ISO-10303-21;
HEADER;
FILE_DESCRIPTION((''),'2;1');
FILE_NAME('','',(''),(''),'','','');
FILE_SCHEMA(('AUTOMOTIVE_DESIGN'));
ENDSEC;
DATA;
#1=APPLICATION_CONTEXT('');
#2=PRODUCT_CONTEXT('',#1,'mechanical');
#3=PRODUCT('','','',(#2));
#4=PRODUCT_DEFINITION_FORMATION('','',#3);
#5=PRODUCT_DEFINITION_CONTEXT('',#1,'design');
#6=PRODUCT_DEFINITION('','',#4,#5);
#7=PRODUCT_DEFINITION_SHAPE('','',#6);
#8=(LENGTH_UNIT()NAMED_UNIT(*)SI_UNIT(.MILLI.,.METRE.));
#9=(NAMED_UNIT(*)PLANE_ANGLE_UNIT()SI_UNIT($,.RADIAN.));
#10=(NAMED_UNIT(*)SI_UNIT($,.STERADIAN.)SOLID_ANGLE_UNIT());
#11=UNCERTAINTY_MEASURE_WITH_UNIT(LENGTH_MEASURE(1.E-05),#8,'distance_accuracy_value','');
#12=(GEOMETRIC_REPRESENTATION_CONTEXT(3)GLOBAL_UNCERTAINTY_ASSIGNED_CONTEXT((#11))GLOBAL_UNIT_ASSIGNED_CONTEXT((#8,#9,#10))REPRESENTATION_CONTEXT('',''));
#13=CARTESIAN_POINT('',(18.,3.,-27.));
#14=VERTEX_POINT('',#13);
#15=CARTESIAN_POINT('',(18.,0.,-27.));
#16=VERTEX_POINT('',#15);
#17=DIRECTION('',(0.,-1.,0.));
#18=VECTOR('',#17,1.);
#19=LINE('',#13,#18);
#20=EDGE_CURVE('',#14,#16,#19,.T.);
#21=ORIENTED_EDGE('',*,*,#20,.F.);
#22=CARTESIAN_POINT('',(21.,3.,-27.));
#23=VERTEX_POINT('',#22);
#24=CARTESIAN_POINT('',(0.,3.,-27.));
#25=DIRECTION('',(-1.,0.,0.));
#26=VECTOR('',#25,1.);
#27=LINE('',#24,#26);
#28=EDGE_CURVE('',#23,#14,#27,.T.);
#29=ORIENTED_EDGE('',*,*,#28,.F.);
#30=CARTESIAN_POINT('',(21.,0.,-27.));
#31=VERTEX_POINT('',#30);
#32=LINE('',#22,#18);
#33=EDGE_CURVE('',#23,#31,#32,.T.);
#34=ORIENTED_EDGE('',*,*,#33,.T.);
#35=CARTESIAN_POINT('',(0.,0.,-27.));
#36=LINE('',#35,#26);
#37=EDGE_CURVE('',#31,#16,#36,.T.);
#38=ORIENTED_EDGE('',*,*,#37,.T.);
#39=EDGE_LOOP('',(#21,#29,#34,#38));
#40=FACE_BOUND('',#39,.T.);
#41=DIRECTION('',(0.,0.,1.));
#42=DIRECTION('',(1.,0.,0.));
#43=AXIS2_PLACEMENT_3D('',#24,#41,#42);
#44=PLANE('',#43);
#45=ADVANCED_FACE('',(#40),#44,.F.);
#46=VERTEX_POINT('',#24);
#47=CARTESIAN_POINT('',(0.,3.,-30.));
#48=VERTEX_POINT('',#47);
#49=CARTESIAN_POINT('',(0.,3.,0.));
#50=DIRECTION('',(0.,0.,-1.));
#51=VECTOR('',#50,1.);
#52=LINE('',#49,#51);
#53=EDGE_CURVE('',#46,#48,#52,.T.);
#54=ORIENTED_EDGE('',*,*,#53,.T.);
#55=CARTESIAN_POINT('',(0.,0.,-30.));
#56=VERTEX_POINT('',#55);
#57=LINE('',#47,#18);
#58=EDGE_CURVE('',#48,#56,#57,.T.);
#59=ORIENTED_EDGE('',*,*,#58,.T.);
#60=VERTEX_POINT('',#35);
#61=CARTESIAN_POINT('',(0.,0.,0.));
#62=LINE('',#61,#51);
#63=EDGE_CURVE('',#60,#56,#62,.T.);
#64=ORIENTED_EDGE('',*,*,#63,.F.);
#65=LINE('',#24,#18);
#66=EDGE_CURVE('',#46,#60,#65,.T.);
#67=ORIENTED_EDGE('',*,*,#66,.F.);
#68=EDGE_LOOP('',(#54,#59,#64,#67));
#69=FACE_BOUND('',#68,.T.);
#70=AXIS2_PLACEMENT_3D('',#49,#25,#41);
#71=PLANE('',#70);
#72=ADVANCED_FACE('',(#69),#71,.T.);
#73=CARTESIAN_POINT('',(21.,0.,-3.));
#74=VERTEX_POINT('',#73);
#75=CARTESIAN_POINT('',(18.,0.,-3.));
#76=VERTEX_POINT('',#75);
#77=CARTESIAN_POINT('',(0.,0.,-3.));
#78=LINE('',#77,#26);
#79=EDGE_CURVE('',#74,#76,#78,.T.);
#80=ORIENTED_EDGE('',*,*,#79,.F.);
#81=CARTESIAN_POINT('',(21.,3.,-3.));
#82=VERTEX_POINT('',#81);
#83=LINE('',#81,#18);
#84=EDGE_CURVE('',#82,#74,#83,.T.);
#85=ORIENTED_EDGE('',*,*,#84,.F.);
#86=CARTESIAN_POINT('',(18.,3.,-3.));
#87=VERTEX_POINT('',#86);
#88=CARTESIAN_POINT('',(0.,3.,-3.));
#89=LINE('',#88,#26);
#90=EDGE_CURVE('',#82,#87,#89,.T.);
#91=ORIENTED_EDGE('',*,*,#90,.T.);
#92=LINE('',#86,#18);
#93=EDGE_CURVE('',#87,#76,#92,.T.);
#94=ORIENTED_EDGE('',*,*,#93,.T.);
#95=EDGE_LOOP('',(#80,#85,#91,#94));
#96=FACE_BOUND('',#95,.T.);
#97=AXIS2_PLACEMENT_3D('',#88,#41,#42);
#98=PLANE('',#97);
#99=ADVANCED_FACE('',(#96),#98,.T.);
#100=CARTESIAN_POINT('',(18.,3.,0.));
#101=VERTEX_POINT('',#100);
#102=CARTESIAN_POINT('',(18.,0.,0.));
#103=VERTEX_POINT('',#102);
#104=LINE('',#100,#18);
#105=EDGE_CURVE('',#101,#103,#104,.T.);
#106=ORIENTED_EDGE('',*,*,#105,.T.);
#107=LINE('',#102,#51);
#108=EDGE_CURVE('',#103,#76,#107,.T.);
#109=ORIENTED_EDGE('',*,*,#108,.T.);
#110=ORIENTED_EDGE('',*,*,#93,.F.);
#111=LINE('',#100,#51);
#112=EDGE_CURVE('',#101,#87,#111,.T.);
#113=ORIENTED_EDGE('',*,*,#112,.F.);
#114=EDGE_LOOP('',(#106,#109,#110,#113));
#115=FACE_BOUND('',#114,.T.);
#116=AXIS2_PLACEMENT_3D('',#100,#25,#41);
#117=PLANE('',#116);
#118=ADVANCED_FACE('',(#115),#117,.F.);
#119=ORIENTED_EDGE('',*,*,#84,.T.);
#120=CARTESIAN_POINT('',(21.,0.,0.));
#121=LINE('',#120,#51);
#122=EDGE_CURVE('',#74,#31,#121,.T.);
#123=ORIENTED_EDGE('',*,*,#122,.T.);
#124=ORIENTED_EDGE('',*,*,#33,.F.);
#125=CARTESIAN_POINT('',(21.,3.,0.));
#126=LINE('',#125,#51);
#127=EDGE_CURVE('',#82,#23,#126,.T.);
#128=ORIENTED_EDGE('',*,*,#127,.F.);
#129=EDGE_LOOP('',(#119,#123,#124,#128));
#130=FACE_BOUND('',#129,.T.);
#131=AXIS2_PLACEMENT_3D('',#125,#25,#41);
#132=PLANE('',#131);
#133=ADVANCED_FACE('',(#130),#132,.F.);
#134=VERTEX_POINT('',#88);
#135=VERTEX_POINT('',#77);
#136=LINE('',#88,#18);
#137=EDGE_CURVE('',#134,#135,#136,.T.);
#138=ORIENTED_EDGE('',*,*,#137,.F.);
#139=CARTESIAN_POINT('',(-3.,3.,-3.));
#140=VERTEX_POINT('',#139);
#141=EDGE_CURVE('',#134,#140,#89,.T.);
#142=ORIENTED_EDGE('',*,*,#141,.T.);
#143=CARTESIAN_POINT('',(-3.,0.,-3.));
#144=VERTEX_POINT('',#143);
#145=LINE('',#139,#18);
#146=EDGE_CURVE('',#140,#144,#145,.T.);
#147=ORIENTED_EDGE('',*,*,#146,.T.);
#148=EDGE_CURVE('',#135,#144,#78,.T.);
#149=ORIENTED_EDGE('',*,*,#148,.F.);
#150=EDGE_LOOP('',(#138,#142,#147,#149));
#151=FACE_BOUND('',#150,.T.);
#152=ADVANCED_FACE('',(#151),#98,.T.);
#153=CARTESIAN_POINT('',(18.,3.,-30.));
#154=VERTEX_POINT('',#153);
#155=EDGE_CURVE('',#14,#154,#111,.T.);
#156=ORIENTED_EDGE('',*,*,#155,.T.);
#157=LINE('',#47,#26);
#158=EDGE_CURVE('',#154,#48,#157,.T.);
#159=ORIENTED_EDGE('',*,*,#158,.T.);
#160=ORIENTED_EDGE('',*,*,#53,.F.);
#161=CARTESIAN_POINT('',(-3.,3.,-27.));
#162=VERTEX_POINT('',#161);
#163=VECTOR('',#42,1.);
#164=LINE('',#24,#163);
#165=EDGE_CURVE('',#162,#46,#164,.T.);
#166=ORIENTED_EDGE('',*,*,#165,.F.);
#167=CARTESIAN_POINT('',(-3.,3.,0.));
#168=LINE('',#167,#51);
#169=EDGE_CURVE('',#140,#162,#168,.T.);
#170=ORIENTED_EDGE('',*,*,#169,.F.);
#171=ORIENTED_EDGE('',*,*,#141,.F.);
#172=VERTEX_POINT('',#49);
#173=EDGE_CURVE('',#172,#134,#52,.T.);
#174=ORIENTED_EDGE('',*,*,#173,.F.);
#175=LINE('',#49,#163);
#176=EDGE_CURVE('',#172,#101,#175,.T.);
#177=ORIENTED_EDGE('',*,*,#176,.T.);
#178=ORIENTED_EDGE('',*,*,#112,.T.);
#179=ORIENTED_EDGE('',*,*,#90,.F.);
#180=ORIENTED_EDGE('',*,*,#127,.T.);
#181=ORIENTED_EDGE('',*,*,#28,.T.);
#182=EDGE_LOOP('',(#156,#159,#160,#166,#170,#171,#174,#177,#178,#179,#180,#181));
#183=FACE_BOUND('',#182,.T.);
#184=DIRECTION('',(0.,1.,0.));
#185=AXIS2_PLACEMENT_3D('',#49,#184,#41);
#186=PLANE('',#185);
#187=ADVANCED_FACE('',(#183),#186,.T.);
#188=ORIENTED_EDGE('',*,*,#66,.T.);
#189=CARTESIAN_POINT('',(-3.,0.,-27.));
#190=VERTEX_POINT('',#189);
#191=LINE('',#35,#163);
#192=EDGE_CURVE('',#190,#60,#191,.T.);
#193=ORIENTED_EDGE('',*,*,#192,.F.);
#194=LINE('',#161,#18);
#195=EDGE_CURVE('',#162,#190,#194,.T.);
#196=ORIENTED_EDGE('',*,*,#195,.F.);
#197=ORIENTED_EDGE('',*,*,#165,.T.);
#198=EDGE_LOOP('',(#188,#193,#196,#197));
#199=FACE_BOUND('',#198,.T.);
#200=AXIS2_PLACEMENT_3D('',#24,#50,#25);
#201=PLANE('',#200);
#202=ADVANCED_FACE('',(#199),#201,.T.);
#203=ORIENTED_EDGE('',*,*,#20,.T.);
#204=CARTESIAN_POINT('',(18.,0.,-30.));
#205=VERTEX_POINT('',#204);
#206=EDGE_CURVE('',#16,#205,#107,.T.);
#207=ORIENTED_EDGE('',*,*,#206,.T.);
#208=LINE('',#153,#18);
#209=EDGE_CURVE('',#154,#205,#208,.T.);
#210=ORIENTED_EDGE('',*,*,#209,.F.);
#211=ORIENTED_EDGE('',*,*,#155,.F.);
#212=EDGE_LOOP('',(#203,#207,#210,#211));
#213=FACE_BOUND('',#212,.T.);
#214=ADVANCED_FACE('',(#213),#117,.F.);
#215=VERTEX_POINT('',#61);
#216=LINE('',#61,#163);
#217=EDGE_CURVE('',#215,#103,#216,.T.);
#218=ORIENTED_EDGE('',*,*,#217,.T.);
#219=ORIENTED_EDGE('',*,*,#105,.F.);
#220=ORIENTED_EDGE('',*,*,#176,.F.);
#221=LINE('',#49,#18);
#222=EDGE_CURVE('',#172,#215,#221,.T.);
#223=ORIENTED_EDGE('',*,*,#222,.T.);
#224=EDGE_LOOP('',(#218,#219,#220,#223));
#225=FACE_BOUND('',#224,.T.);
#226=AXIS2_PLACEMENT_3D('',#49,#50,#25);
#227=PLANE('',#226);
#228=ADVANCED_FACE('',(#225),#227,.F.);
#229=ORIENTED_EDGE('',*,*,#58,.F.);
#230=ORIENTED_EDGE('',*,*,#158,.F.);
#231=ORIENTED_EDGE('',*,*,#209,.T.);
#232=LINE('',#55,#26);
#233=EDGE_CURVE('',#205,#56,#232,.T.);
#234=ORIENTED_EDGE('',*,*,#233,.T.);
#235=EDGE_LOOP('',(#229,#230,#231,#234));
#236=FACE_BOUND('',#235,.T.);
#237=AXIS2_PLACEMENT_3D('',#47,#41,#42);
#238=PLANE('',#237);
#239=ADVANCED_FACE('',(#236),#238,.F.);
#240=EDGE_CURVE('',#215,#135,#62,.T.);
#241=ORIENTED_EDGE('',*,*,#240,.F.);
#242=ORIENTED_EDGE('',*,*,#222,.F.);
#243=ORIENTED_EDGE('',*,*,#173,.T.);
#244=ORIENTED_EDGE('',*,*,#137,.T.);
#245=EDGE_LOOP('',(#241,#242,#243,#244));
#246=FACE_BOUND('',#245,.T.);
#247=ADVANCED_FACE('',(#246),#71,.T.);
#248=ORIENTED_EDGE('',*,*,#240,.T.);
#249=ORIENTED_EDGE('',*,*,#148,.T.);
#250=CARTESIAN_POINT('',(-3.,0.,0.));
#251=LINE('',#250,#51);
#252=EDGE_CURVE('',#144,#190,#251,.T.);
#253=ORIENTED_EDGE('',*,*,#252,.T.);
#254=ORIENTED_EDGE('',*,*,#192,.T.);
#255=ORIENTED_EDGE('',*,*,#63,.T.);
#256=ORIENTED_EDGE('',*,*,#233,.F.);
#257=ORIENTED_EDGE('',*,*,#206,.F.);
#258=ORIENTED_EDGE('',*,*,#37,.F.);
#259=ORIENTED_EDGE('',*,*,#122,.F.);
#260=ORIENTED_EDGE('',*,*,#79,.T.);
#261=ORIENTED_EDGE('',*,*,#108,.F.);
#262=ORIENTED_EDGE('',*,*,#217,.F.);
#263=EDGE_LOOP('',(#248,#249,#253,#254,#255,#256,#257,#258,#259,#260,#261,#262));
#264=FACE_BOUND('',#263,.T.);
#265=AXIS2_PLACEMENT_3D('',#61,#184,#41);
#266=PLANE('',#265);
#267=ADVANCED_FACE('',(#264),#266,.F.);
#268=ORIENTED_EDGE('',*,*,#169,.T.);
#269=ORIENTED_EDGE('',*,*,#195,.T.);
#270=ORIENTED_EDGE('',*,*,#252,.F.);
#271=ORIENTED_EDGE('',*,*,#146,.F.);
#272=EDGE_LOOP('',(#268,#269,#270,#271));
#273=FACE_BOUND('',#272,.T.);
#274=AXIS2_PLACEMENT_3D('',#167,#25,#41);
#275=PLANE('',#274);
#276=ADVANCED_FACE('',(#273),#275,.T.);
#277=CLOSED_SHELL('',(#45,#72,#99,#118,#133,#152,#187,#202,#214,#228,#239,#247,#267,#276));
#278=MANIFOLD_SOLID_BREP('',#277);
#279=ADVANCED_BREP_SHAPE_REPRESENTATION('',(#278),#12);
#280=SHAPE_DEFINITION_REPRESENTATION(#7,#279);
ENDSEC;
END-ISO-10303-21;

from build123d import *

# Parameters (mm, degrees)
SALIENTE_EXTRUIR1_DEPTH = 3


with BuildPart() as part:
    # Croquis1 → Saliente-Extruir1 (new body)
    with BuildSketch(Plane(origin=(0, 0, 0), x_dir=(1, 0, 0), z_dir=(0, 1, 0))):
        Polygon((0, 0), (18, 0), (18, 3), (21, 3), (21, 27), (18, 27), (18, 30), (0, 30), (0, 27), (-3, 27), (-3, 3), (0, 3), align=None)
    extrude(amount=SALIENTE_EXTRUIR1_DEPTH)


solid = part.part
